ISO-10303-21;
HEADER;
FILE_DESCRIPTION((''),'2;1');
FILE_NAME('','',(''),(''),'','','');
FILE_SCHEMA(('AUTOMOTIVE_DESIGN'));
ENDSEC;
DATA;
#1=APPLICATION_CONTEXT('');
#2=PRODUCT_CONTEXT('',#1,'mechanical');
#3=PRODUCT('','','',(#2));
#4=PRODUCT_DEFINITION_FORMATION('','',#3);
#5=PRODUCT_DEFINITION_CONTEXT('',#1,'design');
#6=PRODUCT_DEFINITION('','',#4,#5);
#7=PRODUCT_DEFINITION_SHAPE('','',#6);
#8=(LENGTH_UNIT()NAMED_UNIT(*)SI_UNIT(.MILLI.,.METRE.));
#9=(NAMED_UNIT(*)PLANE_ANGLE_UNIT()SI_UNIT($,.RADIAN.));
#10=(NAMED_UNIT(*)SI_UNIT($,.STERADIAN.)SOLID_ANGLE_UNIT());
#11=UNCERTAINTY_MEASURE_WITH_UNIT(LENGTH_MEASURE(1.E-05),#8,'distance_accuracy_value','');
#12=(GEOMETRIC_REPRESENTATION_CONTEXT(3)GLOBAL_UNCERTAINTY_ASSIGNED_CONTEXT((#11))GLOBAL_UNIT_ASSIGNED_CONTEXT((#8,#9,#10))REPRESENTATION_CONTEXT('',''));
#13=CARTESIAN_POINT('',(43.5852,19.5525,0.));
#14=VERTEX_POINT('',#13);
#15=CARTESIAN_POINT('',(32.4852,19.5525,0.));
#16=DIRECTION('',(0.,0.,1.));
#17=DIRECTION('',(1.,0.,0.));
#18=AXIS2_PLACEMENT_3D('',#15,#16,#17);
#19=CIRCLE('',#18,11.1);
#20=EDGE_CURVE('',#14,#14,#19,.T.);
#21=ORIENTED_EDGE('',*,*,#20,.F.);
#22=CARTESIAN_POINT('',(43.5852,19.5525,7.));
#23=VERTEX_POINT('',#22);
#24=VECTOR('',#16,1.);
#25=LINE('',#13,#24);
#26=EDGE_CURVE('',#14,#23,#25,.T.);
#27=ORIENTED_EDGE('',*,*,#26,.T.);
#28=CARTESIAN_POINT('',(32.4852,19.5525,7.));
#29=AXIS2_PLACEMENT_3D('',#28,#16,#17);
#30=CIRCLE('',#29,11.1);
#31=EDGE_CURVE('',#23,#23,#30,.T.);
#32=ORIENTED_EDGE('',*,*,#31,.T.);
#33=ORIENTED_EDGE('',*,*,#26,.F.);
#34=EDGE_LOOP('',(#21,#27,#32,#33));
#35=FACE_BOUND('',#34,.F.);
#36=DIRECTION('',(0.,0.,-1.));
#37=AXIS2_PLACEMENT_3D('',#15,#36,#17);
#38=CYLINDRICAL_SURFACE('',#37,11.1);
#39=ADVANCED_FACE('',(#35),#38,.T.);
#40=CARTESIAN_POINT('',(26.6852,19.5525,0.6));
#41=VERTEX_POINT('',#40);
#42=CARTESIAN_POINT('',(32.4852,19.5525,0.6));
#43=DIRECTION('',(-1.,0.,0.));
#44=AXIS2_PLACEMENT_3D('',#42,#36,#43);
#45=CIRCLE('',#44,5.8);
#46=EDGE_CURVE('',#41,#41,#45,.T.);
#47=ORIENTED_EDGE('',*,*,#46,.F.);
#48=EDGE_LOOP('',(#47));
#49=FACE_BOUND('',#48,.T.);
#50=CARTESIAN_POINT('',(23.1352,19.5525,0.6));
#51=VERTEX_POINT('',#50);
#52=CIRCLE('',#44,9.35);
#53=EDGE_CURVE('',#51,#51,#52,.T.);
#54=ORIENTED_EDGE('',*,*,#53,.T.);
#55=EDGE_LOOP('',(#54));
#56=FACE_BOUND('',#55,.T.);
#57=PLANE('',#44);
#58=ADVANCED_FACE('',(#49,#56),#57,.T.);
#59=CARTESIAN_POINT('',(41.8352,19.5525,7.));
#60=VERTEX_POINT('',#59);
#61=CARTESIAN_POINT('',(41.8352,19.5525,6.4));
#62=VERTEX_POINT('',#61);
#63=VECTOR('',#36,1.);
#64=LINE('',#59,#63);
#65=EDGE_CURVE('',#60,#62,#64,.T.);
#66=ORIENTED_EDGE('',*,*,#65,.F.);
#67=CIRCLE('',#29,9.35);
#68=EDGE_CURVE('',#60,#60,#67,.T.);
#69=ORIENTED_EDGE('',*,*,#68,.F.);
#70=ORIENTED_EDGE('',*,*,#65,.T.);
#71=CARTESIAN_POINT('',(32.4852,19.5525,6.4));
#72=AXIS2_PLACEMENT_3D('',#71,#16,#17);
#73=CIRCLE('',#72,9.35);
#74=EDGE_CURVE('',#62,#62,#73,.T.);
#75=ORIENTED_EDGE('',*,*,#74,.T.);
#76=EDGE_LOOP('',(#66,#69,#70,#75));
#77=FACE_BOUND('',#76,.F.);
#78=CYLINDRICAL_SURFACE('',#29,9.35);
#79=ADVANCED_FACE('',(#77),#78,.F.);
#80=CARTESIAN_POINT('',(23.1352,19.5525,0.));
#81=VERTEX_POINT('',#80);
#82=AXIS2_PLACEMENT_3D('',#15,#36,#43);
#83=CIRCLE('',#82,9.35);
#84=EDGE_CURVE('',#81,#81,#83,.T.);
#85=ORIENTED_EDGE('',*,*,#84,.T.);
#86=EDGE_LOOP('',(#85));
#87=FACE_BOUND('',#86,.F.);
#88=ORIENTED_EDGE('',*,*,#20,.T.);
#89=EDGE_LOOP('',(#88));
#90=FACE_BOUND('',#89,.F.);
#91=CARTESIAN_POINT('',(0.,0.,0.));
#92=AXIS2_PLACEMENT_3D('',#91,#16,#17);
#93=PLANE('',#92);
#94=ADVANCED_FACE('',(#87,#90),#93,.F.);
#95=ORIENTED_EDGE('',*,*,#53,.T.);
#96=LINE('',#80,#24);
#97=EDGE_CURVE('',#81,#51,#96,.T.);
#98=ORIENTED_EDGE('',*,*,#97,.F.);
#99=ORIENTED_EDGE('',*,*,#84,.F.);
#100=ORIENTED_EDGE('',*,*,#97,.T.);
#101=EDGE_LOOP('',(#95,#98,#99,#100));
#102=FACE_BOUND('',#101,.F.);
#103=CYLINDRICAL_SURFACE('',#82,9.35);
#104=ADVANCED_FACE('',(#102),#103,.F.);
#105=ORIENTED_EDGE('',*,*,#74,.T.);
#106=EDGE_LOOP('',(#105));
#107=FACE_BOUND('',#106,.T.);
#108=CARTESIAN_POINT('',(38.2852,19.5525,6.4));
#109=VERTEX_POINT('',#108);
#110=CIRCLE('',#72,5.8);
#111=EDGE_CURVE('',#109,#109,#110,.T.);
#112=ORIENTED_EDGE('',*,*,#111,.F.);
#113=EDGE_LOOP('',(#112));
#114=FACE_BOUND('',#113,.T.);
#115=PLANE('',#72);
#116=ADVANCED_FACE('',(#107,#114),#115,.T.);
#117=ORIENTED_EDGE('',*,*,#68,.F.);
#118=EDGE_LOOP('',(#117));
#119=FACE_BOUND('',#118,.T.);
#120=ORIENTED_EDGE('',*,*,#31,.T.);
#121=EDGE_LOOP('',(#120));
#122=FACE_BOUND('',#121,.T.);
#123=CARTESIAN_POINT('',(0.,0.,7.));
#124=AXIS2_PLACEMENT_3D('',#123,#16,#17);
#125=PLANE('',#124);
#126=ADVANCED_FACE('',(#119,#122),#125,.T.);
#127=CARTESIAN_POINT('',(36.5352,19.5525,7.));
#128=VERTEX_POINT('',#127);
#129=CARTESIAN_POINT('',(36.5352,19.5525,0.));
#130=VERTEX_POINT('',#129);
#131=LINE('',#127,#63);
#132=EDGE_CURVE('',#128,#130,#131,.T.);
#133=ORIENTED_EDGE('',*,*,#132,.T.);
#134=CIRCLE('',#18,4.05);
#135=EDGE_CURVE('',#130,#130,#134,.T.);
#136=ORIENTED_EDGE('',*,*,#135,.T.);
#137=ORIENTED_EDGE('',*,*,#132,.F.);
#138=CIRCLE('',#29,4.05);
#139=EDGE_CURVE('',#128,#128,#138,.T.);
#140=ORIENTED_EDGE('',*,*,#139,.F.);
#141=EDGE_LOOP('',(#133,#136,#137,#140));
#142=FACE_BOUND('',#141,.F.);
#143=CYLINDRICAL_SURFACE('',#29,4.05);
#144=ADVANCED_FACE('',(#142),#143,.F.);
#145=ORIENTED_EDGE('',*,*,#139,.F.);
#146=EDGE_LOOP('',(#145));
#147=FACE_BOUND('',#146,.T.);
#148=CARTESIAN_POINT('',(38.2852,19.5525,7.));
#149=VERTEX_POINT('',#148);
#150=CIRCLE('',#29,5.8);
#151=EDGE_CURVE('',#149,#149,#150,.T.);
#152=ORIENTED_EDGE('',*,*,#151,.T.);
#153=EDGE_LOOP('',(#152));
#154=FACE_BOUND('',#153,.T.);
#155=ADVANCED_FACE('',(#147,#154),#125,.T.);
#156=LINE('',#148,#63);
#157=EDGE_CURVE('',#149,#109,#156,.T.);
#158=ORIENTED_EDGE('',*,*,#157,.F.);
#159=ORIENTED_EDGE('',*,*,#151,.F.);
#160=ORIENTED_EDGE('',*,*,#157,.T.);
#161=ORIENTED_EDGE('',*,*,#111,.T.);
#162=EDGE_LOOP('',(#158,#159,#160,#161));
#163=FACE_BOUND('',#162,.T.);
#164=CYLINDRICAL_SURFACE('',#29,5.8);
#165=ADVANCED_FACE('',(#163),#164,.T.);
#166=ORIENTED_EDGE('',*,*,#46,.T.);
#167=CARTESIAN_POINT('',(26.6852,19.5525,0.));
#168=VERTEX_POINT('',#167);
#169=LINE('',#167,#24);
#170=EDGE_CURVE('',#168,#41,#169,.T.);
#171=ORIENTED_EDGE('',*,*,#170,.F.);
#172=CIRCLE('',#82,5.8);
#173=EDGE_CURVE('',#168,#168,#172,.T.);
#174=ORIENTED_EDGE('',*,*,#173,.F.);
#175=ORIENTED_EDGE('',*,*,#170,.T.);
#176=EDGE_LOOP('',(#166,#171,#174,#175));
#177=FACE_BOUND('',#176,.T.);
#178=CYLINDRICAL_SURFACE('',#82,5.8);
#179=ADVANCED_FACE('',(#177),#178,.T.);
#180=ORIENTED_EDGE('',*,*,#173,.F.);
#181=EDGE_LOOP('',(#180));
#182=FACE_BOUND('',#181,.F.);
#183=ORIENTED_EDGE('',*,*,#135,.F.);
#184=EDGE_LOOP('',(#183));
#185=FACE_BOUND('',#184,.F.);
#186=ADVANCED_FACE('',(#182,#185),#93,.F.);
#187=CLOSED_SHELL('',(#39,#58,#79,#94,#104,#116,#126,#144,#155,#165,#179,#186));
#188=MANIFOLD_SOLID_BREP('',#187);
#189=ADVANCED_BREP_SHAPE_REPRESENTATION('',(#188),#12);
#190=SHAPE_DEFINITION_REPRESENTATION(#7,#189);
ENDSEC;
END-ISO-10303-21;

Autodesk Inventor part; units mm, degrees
ref_plane "YZ Plane" through (0, 0, 0) normal (1, 0, 0) x (0, 1, 0)
ref_plane "XZ Plane" through (0, 0, 0) normal (0, 1, 0) x (-1, 0, 0)
ref_plane "XY Plane" through (0, 0, 0) normal (0, 0, 1) x (1, 0, 0)
sketch "Sketch1" plane through (0, 0, 0) normal (0, 0, 1) x (1, 0, 0)
  circle A0 centre (32.4852, 19.5525) radius 11.1
  point P0 (0, 0)
extrude "Extrusion1" add sketch "Sketch1" along normal blind 7
sketch "Sketch7" plane through (32.4852, 19.5525, 7) normal (0, 0, 1) x (1, 0, 0)
  circle A0 centre (0, 0) radius 4.05
  circle A1 centre (0, 0) radius 11.1
  point P0 (-32.4852, -19.5525)
extrude "Extrusion7" cut sketch "Sketch7" against normal up to surface (7 mm away) contours A0
sketch "Sketch8" plane through (32.4852, 19.5525, 7) normal (0, 0, 1) x (1, 0, 0)
  circle A0 centre (0, 0) radius 4.05
  line L0 (4.05, 0) -> (5.8, 0)
  circle A1 centre (0, 0) radius 5.8
  circle A2 centre (0, 0) radius 11.1
  line L1 (11.1, 0) -> (9.35, 0)
  circle A3 centre (0, 0) radius 9.35
  point P0 (-32.4852, -19.5525)
  dimension "d18" = 1.75
  dimension "d19" = 1.75
extrude "Extrusion8" cut sketch "Sketch8" against normal blind 0.6 contours A3
sketch "Sketch9" plane through (32.4852, 19.5525, 0) normal (0, 0, -1) x (-1, 0, 0)
  circle A0 centre (0, 0) radius 5.8
  circle A1 centre (0, 0) radius 9.35
  point P0 (32.4852, -19.5525)
extrude "Extrusion9" cut sketch "Sketch9" against normal blind 0.6
properties part number "Metal bearing" material "Stainless Steel"
